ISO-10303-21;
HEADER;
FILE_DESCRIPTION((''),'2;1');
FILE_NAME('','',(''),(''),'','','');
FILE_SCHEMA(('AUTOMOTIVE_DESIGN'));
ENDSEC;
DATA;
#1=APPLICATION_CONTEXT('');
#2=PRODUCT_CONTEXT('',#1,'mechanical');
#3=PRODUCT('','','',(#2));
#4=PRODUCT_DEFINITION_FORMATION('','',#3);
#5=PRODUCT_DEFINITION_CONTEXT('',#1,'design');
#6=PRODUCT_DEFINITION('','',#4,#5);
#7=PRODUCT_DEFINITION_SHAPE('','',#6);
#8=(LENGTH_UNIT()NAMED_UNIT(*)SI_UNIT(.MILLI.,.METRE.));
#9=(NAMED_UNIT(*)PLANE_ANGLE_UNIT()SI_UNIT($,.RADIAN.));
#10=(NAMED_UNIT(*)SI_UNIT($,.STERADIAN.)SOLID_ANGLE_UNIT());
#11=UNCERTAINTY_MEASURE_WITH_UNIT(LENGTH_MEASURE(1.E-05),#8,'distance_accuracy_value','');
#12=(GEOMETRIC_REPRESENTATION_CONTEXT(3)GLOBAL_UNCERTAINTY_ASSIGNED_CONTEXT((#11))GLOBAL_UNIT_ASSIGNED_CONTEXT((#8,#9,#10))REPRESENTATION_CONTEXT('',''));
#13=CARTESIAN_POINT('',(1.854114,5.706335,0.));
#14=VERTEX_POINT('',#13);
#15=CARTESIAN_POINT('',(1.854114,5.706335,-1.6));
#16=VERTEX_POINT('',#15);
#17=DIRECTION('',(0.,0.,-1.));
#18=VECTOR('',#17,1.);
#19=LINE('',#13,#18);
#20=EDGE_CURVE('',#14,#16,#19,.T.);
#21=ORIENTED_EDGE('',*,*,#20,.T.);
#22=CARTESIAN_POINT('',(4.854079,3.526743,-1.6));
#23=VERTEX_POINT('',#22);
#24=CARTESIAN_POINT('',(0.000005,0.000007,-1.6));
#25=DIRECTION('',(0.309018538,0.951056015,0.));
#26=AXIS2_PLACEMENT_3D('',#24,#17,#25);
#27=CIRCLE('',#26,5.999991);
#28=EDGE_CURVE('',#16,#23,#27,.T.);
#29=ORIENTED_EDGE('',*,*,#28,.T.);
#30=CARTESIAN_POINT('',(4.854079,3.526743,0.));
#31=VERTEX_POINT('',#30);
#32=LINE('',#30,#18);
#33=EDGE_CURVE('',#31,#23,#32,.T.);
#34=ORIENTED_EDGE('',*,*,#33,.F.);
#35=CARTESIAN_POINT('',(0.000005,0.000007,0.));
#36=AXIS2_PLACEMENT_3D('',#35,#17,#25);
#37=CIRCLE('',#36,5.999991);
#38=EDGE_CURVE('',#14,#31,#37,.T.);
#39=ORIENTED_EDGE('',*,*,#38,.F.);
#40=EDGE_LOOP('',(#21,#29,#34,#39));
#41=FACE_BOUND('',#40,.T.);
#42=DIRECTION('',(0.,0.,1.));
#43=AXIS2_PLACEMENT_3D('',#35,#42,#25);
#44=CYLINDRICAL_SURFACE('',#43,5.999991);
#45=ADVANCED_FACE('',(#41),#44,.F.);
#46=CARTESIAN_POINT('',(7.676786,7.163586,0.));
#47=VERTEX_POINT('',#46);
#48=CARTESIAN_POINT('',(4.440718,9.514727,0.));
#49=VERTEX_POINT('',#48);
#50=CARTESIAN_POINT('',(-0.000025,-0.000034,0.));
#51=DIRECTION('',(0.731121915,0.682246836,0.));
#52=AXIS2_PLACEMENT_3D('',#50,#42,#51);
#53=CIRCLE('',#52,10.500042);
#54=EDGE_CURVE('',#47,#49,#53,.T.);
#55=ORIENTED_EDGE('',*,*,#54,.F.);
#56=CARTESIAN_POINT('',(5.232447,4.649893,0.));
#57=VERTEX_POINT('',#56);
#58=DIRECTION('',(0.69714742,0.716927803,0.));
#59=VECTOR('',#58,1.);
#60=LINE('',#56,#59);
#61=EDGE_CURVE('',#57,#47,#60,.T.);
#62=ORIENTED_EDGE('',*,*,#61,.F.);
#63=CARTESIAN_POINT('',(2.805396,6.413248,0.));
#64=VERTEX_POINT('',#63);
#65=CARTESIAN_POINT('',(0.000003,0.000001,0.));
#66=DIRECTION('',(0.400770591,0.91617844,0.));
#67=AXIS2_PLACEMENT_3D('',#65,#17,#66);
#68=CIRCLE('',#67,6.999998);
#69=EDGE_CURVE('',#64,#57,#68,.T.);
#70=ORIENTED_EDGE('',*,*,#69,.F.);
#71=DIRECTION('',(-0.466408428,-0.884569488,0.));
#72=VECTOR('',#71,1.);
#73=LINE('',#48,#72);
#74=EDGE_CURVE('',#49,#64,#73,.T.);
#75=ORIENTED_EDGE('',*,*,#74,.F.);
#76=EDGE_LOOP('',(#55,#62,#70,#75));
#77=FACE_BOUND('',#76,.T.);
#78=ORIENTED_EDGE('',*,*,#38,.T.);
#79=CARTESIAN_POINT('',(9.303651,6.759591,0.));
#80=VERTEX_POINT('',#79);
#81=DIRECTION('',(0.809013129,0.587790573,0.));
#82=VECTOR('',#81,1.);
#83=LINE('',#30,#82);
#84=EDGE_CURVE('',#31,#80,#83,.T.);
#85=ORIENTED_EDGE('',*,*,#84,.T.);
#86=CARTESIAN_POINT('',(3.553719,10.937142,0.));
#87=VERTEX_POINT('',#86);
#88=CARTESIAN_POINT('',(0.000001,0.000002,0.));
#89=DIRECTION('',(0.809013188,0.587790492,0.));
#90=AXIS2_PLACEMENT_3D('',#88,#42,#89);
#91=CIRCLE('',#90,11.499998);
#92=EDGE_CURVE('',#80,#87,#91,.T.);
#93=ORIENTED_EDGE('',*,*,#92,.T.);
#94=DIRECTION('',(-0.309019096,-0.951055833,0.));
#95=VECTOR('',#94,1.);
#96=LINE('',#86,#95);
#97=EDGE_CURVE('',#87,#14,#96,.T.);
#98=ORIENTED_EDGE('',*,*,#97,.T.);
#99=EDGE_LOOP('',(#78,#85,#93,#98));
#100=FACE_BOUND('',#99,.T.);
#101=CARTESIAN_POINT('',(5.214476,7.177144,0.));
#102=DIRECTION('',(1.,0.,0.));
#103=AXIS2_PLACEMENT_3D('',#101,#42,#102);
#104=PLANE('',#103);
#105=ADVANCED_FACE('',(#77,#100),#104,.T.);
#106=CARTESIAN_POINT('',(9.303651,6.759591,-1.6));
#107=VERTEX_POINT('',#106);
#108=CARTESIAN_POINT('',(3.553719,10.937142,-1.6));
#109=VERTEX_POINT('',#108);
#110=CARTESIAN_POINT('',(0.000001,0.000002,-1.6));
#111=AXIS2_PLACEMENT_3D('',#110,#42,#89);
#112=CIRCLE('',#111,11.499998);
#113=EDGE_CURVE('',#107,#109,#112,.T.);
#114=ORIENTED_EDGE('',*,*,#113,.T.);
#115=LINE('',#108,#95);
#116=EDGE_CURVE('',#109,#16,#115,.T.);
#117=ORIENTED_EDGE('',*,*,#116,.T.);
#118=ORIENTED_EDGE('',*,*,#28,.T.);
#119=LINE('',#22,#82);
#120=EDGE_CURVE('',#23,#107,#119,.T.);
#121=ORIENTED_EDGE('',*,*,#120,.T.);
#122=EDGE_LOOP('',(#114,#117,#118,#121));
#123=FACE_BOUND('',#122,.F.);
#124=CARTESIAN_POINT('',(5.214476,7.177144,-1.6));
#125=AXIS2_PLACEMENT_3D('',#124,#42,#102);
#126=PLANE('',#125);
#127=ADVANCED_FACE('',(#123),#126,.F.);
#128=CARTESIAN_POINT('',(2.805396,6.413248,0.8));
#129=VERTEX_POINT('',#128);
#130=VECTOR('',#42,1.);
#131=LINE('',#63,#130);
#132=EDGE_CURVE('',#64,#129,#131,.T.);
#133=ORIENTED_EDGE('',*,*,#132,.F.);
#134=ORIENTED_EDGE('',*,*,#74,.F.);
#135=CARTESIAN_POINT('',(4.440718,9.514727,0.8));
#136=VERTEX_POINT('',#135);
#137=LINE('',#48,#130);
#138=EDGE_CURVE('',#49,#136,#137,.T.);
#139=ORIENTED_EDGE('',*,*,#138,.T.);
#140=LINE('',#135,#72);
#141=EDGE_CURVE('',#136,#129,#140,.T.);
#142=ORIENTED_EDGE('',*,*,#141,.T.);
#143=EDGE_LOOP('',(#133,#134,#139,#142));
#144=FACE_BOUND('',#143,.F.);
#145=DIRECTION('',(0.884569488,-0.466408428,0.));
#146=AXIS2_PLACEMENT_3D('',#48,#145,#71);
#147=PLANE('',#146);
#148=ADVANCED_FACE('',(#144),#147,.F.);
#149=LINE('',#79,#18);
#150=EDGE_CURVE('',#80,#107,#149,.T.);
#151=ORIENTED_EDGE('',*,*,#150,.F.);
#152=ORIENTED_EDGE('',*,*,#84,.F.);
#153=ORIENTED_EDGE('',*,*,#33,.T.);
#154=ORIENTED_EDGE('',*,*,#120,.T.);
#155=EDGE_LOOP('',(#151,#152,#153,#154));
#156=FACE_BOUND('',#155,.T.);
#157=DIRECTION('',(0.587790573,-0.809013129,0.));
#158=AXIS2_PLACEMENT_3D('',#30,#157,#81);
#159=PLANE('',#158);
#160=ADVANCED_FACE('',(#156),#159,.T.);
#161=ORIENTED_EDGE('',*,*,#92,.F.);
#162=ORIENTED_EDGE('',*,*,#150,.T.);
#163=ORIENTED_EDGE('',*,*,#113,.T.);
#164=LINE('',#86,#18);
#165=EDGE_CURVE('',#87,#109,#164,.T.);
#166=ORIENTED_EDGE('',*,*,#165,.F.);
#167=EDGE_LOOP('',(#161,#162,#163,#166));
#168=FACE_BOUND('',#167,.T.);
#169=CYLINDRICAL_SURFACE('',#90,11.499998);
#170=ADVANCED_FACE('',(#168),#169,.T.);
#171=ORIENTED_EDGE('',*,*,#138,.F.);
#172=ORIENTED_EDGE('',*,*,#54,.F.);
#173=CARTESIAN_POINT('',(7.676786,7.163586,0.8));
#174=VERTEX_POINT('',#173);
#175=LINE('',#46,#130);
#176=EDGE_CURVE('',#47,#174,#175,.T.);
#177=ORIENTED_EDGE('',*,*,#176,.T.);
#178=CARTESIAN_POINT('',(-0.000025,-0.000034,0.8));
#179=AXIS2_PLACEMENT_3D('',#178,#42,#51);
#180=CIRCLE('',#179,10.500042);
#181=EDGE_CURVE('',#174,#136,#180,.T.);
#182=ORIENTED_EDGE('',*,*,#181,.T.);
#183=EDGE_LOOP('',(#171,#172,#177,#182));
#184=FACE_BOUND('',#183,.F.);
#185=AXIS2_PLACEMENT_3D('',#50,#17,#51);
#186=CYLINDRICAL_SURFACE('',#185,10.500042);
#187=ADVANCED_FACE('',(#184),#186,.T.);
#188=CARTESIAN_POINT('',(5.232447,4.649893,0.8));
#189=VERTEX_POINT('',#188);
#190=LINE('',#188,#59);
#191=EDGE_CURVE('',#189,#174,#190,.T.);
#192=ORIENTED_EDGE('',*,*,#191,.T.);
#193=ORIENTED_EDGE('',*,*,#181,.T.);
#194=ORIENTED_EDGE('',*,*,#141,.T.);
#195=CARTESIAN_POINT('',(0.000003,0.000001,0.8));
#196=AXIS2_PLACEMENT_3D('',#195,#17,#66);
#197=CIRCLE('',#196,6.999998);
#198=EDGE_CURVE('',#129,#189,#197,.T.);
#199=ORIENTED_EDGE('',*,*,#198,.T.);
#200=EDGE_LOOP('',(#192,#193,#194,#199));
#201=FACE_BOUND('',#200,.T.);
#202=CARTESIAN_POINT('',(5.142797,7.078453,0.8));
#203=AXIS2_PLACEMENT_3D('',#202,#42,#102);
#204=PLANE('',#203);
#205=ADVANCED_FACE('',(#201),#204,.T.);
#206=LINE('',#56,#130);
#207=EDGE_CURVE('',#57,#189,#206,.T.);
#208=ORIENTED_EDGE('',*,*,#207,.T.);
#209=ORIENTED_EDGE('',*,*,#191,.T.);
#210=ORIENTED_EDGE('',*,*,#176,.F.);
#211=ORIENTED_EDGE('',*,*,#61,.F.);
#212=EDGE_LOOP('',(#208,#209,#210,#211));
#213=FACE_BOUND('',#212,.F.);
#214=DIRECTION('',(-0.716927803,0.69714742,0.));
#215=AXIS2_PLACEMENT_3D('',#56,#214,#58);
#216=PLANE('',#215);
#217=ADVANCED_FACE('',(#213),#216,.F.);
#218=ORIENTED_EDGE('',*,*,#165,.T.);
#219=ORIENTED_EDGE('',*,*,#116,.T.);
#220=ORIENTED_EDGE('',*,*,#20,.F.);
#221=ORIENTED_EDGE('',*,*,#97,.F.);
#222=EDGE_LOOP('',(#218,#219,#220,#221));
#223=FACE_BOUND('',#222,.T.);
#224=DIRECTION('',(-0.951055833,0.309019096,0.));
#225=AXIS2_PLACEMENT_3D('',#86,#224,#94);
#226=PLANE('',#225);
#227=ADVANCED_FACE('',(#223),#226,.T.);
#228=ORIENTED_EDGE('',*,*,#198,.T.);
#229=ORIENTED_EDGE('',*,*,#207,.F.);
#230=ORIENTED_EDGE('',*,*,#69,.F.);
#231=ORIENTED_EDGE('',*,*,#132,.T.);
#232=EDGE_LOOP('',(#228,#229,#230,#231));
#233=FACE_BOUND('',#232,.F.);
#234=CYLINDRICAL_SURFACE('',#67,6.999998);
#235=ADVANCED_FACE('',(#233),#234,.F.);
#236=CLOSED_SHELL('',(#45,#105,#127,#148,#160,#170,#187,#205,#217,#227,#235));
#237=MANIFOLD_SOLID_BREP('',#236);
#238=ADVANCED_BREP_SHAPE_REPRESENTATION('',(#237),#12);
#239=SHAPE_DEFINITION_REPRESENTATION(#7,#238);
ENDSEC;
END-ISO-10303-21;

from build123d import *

# Parameters (mm, degrees)
F1_DEPTH = 0.8
F2_DEPTH = 1.6


with BuildPart() as f1:
    # F0 (on Top) → F1 (new body)
    with BuildSketch(Plane.XY):
        with BuildLine():
            Line((4.440718, 9.514727), (2.805396, 6.413248))
            ThreePointArc((2.805396, 6.413248), (4.114497, 5.663119), (5.232447, 4.649893))
            Line((5.232447, 4.649893), (7.676786, 7.163586))
            ThreePointArc((7.676786, 7.163586), (6.171745, 8.494678), (4.440718, 9.514727))
        make_face()
    extrude(amount=F1_DEPTH)

    # F0 (on Top) → F2 (join)
    with BuildSketch(Plane.XY):
        with BuildLine():
            Line((3.553719, 10.937142), (1.854114, 5.706335))
            ThreePointArc((1.854114, 5.706335), (3.526701, 4.85411), (4.854079, 3.526743))
            Line((4.854079, 3.526743), (9.303651, 6.759591))
            ThreePointArc((9.303651, 6.759591), (6.75951, 9.30371), (3.553719, 10.937142))
        make_face()
        with BuildLine():
            ThreePointArc((5.232447, 4.649893), (4.114497, 5.663119), (2.805396, 6.413248))
            Line((2.805396, 6.413248), (4.440718, 9.514727))
            ThreePointArc((4.440718, 9.514727), (6.171745, 8.494678), (7.676786, 7.163586))
            Line((7.676786, 7.163586), (5.232447, 4.649893))
        make_face(mode=Mode.SUBTRACT)
        with BuildLine():
            Line((4.440718, 9.514727), (2.805396, 6.413248))
            ThreePointArc((2.805396, 6.413248), (4.114497, 5.663119), (5.232447, 4.649893))
            Line((5.232447, 4.649893), (7.676786, 7.163586))
            ThreePointArc((7.676786, 7.163586), (6.171745, 8.494678), (4.440718, 9.514727))
        make_face()
    extrude(amount=-F2_DEPTH)


solid = f1.part
